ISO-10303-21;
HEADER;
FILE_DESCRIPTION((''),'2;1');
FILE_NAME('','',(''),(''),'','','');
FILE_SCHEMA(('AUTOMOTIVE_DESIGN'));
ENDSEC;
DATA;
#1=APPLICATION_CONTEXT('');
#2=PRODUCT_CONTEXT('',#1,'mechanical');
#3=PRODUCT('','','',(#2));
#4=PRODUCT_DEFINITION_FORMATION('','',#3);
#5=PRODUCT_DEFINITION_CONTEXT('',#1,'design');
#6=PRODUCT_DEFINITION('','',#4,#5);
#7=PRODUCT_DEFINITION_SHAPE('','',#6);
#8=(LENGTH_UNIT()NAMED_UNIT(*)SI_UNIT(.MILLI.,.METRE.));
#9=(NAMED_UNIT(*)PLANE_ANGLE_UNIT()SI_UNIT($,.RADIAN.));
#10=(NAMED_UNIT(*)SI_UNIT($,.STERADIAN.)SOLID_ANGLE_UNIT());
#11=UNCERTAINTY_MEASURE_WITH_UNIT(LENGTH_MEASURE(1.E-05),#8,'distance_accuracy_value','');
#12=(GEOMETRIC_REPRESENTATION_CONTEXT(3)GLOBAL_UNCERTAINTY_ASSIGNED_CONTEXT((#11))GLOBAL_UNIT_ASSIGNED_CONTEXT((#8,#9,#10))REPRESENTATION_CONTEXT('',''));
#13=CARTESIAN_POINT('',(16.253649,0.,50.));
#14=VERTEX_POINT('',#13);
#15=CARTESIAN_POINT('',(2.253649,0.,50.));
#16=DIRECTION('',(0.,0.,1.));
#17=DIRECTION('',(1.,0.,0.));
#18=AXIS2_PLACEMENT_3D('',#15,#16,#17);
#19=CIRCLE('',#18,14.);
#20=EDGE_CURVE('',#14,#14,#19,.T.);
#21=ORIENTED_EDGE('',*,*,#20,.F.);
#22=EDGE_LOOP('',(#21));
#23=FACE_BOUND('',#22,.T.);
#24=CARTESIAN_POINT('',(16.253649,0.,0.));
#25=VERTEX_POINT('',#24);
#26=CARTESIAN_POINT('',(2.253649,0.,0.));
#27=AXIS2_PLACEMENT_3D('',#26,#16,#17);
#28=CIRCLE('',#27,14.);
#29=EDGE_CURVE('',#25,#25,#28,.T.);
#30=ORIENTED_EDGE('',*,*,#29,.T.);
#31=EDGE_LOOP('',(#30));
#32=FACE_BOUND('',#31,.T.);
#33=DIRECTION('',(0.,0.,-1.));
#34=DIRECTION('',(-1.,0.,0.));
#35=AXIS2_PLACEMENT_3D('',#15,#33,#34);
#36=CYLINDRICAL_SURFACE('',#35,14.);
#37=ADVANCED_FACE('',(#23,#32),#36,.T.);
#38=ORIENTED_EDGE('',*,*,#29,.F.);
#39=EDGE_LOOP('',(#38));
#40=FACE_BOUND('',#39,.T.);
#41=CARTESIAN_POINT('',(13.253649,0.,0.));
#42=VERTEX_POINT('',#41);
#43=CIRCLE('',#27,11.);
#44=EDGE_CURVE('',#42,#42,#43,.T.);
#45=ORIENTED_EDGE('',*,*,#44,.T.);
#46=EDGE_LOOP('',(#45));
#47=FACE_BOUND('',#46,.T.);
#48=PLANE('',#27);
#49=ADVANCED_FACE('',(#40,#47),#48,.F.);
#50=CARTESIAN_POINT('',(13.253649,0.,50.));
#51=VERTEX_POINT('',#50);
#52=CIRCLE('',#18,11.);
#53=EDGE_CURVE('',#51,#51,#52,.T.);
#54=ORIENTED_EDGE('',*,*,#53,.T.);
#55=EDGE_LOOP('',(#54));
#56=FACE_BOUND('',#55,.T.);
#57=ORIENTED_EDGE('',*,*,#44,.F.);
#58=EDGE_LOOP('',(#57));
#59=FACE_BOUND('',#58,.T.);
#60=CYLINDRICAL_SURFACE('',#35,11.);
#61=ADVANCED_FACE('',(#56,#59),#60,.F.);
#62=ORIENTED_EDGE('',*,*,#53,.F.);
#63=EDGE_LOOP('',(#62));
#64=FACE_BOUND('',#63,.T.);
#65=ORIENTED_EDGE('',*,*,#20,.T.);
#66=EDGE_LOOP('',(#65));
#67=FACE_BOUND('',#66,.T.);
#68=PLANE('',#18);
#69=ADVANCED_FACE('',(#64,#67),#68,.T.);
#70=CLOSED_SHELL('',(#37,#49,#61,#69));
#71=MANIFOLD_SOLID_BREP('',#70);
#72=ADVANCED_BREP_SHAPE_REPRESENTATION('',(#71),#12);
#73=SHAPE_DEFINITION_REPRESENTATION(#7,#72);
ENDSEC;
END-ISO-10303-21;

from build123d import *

# Parameters (mm, degrees)
ESBO_O1_R                = 14
ESBO_O1_R_2              = 11
RESSALTO_EXTRUS_O1_DEPTH = 50


with BuildPart() as part:
    # Esboço1 → Ressalto-extrusão1 (new body)
    with BuildSketch(Plane.XY):
        with Locations((2.253649096, 0)):
            Circle(ESBO_O1_R)
        with Locations((2.253649096, 0)):
            Circle(ESBO_O1_R_2, mode=Mode.SUBTRACT)
    extrude(amount=RESSALTO_EXTRUS_O1_DEPTH)


solid = part.part
